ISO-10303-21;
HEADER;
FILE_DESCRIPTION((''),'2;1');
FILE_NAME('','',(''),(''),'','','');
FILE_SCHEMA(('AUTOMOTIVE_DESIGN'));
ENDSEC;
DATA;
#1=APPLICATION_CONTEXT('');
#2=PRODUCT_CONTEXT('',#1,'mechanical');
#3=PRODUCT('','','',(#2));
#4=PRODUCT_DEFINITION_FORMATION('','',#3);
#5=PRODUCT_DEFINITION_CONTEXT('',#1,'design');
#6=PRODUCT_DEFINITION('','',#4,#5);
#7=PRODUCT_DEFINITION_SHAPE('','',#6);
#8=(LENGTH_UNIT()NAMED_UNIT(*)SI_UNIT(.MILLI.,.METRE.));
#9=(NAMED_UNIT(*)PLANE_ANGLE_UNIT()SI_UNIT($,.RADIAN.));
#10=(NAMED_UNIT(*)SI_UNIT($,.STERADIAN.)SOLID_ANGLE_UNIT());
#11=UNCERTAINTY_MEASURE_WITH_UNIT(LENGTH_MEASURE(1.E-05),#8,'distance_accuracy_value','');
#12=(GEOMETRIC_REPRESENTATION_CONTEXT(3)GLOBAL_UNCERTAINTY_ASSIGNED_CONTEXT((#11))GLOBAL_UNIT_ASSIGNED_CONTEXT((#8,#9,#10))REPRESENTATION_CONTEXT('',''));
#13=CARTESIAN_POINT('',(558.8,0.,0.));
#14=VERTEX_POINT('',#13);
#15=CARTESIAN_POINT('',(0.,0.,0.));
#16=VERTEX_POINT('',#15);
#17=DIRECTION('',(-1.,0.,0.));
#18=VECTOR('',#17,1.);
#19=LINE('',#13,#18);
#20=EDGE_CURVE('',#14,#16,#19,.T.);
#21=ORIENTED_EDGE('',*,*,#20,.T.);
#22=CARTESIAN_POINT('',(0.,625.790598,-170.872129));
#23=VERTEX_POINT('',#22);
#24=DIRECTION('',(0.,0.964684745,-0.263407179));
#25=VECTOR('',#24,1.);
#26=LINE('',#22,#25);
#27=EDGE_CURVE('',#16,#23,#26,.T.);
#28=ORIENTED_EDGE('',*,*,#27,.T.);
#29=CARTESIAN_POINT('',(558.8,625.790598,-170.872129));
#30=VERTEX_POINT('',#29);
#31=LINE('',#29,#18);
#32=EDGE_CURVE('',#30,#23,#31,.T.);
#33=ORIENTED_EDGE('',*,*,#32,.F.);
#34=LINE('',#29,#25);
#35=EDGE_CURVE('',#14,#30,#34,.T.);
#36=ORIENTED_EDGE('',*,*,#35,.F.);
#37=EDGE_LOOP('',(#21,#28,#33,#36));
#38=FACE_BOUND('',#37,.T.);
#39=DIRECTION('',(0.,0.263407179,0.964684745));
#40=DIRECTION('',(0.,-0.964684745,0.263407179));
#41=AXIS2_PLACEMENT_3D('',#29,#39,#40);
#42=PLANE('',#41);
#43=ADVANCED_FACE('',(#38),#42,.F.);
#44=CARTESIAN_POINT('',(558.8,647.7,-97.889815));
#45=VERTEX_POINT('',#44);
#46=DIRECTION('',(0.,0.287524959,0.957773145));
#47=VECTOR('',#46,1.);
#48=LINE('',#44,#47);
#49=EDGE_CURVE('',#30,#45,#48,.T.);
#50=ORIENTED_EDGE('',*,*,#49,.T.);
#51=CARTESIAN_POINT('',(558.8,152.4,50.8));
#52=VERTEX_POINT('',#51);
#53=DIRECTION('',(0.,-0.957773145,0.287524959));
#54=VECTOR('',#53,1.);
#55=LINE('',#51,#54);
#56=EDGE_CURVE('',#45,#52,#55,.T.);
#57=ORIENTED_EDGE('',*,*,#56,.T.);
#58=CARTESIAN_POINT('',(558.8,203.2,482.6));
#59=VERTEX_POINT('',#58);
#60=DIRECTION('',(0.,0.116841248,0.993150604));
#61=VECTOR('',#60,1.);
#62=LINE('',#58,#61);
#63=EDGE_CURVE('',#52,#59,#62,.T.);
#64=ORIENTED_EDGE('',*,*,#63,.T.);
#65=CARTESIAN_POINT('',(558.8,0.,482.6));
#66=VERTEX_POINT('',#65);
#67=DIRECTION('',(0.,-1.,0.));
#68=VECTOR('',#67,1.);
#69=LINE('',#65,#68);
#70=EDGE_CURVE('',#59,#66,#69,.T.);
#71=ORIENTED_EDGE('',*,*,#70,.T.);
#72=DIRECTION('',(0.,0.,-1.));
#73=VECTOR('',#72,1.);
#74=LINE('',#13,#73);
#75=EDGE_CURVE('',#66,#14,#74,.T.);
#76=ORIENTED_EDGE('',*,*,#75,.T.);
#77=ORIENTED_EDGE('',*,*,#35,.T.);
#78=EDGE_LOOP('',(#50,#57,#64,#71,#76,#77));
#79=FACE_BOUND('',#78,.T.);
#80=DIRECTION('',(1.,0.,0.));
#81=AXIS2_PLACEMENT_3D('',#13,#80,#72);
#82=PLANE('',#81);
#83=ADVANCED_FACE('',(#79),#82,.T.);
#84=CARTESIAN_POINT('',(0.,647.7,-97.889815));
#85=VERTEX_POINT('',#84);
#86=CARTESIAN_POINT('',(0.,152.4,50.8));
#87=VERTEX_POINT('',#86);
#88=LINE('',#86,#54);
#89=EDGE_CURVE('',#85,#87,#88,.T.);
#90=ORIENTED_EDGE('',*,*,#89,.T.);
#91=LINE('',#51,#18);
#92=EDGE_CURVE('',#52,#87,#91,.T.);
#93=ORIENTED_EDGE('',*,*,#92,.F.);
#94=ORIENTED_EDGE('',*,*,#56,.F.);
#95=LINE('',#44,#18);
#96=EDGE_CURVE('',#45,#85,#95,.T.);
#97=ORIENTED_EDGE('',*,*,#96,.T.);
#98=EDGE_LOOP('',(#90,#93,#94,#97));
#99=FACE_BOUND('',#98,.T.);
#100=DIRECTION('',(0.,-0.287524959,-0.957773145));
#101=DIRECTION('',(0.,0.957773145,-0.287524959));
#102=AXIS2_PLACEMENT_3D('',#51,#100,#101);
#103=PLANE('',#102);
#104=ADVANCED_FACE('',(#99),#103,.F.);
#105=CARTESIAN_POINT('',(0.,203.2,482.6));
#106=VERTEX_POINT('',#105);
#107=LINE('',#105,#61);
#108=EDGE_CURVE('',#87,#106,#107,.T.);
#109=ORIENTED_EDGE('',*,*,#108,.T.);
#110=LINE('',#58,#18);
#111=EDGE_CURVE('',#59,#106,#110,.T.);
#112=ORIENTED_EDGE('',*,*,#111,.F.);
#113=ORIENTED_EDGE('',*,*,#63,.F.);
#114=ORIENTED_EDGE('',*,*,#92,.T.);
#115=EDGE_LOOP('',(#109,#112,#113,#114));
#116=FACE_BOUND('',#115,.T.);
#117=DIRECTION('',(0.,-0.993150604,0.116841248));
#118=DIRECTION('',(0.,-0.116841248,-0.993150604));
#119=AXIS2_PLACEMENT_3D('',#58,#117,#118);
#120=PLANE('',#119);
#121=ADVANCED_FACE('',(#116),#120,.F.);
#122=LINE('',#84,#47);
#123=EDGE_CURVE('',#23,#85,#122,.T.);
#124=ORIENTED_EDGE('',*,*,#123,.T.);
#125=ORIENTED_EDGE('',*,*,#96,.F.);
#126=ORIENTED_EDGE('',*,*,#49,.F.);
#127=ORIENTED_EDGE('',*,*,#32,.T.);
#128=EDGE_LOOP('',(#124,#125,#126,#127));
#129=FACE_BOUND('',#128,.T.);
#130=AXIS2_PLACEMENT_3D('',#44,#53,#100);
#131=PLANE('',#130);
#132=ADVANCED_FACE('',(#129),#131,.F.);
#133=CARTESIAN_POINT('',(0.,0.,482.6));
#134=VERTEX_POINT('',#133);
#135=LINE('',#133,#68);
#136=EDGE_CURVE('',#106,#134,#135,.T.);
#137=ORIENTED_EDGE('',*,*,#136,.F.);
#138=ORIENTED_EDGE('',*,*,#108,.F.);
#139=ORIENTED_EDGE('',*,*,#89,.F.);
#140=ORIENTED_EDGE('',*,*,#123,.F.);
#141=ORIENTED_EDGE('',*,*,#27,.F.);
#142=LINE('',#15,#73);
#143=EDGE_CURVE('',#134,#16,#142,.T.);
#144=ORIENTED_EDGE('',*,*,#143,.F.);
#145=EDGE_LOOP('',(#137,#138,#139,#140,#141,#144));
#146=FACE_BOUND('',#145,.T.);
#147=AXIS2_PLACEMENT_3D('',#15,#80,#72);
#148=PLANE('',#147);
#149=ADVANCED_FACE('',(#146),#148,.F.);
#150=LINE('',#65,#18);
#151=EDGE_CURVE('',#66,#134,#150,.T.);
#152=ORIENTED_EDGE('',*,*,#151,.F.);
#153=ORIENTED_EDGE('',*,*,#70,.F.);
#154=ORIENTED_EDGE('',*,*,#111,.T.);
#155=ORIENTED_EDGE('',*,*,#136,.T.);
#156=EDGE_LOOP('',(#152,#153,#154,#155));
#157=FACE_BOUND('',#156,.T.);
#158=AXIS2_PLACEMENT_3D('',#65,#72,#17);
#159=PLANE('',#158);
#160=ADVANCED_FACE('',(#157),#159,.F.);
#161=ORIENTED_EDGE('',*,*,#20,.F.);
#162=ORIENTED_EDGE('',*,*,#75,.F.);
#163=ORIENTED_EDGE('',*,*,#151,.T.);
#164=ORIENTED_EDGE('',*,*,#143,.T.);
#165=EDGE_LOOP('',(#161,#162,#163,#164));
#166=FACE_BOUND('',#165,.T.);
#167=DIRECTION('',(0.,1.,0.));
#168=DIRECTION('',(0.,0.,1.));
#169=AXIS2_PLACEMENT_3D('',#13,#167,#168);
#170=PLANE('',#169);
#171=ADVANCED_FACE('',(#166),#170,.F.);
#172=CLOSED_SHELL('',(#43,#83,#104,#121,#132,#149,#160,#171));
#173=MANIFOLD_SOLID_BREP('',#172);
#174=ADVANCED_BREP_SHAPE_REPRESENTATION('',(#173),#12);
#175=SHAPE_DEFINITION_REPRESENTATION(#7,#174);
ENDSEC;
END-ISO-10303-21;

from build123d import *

# Parameters (mm, degrees)
BOSS_EXTRUDE1_DEPTH = 558.8


with BuildPart() as part:
    # Sketch1 → Boss-Extrude1 (new body)
    with BuildSketch(Plane(origin=(0, 0, 0), x_dir=(0, 0, -1), z_dir=(1, 0, 0))):
        Polygon((0, 0), (-482.6, 0), (-482.6, 203.2), (-50.8, 152.4), (97.889815453, 647.7), (170.872129127, 625.790598119), align=None)
    extrude(amount=BOSS_EXTRUDE1_DEPTH)


solid = part.part
